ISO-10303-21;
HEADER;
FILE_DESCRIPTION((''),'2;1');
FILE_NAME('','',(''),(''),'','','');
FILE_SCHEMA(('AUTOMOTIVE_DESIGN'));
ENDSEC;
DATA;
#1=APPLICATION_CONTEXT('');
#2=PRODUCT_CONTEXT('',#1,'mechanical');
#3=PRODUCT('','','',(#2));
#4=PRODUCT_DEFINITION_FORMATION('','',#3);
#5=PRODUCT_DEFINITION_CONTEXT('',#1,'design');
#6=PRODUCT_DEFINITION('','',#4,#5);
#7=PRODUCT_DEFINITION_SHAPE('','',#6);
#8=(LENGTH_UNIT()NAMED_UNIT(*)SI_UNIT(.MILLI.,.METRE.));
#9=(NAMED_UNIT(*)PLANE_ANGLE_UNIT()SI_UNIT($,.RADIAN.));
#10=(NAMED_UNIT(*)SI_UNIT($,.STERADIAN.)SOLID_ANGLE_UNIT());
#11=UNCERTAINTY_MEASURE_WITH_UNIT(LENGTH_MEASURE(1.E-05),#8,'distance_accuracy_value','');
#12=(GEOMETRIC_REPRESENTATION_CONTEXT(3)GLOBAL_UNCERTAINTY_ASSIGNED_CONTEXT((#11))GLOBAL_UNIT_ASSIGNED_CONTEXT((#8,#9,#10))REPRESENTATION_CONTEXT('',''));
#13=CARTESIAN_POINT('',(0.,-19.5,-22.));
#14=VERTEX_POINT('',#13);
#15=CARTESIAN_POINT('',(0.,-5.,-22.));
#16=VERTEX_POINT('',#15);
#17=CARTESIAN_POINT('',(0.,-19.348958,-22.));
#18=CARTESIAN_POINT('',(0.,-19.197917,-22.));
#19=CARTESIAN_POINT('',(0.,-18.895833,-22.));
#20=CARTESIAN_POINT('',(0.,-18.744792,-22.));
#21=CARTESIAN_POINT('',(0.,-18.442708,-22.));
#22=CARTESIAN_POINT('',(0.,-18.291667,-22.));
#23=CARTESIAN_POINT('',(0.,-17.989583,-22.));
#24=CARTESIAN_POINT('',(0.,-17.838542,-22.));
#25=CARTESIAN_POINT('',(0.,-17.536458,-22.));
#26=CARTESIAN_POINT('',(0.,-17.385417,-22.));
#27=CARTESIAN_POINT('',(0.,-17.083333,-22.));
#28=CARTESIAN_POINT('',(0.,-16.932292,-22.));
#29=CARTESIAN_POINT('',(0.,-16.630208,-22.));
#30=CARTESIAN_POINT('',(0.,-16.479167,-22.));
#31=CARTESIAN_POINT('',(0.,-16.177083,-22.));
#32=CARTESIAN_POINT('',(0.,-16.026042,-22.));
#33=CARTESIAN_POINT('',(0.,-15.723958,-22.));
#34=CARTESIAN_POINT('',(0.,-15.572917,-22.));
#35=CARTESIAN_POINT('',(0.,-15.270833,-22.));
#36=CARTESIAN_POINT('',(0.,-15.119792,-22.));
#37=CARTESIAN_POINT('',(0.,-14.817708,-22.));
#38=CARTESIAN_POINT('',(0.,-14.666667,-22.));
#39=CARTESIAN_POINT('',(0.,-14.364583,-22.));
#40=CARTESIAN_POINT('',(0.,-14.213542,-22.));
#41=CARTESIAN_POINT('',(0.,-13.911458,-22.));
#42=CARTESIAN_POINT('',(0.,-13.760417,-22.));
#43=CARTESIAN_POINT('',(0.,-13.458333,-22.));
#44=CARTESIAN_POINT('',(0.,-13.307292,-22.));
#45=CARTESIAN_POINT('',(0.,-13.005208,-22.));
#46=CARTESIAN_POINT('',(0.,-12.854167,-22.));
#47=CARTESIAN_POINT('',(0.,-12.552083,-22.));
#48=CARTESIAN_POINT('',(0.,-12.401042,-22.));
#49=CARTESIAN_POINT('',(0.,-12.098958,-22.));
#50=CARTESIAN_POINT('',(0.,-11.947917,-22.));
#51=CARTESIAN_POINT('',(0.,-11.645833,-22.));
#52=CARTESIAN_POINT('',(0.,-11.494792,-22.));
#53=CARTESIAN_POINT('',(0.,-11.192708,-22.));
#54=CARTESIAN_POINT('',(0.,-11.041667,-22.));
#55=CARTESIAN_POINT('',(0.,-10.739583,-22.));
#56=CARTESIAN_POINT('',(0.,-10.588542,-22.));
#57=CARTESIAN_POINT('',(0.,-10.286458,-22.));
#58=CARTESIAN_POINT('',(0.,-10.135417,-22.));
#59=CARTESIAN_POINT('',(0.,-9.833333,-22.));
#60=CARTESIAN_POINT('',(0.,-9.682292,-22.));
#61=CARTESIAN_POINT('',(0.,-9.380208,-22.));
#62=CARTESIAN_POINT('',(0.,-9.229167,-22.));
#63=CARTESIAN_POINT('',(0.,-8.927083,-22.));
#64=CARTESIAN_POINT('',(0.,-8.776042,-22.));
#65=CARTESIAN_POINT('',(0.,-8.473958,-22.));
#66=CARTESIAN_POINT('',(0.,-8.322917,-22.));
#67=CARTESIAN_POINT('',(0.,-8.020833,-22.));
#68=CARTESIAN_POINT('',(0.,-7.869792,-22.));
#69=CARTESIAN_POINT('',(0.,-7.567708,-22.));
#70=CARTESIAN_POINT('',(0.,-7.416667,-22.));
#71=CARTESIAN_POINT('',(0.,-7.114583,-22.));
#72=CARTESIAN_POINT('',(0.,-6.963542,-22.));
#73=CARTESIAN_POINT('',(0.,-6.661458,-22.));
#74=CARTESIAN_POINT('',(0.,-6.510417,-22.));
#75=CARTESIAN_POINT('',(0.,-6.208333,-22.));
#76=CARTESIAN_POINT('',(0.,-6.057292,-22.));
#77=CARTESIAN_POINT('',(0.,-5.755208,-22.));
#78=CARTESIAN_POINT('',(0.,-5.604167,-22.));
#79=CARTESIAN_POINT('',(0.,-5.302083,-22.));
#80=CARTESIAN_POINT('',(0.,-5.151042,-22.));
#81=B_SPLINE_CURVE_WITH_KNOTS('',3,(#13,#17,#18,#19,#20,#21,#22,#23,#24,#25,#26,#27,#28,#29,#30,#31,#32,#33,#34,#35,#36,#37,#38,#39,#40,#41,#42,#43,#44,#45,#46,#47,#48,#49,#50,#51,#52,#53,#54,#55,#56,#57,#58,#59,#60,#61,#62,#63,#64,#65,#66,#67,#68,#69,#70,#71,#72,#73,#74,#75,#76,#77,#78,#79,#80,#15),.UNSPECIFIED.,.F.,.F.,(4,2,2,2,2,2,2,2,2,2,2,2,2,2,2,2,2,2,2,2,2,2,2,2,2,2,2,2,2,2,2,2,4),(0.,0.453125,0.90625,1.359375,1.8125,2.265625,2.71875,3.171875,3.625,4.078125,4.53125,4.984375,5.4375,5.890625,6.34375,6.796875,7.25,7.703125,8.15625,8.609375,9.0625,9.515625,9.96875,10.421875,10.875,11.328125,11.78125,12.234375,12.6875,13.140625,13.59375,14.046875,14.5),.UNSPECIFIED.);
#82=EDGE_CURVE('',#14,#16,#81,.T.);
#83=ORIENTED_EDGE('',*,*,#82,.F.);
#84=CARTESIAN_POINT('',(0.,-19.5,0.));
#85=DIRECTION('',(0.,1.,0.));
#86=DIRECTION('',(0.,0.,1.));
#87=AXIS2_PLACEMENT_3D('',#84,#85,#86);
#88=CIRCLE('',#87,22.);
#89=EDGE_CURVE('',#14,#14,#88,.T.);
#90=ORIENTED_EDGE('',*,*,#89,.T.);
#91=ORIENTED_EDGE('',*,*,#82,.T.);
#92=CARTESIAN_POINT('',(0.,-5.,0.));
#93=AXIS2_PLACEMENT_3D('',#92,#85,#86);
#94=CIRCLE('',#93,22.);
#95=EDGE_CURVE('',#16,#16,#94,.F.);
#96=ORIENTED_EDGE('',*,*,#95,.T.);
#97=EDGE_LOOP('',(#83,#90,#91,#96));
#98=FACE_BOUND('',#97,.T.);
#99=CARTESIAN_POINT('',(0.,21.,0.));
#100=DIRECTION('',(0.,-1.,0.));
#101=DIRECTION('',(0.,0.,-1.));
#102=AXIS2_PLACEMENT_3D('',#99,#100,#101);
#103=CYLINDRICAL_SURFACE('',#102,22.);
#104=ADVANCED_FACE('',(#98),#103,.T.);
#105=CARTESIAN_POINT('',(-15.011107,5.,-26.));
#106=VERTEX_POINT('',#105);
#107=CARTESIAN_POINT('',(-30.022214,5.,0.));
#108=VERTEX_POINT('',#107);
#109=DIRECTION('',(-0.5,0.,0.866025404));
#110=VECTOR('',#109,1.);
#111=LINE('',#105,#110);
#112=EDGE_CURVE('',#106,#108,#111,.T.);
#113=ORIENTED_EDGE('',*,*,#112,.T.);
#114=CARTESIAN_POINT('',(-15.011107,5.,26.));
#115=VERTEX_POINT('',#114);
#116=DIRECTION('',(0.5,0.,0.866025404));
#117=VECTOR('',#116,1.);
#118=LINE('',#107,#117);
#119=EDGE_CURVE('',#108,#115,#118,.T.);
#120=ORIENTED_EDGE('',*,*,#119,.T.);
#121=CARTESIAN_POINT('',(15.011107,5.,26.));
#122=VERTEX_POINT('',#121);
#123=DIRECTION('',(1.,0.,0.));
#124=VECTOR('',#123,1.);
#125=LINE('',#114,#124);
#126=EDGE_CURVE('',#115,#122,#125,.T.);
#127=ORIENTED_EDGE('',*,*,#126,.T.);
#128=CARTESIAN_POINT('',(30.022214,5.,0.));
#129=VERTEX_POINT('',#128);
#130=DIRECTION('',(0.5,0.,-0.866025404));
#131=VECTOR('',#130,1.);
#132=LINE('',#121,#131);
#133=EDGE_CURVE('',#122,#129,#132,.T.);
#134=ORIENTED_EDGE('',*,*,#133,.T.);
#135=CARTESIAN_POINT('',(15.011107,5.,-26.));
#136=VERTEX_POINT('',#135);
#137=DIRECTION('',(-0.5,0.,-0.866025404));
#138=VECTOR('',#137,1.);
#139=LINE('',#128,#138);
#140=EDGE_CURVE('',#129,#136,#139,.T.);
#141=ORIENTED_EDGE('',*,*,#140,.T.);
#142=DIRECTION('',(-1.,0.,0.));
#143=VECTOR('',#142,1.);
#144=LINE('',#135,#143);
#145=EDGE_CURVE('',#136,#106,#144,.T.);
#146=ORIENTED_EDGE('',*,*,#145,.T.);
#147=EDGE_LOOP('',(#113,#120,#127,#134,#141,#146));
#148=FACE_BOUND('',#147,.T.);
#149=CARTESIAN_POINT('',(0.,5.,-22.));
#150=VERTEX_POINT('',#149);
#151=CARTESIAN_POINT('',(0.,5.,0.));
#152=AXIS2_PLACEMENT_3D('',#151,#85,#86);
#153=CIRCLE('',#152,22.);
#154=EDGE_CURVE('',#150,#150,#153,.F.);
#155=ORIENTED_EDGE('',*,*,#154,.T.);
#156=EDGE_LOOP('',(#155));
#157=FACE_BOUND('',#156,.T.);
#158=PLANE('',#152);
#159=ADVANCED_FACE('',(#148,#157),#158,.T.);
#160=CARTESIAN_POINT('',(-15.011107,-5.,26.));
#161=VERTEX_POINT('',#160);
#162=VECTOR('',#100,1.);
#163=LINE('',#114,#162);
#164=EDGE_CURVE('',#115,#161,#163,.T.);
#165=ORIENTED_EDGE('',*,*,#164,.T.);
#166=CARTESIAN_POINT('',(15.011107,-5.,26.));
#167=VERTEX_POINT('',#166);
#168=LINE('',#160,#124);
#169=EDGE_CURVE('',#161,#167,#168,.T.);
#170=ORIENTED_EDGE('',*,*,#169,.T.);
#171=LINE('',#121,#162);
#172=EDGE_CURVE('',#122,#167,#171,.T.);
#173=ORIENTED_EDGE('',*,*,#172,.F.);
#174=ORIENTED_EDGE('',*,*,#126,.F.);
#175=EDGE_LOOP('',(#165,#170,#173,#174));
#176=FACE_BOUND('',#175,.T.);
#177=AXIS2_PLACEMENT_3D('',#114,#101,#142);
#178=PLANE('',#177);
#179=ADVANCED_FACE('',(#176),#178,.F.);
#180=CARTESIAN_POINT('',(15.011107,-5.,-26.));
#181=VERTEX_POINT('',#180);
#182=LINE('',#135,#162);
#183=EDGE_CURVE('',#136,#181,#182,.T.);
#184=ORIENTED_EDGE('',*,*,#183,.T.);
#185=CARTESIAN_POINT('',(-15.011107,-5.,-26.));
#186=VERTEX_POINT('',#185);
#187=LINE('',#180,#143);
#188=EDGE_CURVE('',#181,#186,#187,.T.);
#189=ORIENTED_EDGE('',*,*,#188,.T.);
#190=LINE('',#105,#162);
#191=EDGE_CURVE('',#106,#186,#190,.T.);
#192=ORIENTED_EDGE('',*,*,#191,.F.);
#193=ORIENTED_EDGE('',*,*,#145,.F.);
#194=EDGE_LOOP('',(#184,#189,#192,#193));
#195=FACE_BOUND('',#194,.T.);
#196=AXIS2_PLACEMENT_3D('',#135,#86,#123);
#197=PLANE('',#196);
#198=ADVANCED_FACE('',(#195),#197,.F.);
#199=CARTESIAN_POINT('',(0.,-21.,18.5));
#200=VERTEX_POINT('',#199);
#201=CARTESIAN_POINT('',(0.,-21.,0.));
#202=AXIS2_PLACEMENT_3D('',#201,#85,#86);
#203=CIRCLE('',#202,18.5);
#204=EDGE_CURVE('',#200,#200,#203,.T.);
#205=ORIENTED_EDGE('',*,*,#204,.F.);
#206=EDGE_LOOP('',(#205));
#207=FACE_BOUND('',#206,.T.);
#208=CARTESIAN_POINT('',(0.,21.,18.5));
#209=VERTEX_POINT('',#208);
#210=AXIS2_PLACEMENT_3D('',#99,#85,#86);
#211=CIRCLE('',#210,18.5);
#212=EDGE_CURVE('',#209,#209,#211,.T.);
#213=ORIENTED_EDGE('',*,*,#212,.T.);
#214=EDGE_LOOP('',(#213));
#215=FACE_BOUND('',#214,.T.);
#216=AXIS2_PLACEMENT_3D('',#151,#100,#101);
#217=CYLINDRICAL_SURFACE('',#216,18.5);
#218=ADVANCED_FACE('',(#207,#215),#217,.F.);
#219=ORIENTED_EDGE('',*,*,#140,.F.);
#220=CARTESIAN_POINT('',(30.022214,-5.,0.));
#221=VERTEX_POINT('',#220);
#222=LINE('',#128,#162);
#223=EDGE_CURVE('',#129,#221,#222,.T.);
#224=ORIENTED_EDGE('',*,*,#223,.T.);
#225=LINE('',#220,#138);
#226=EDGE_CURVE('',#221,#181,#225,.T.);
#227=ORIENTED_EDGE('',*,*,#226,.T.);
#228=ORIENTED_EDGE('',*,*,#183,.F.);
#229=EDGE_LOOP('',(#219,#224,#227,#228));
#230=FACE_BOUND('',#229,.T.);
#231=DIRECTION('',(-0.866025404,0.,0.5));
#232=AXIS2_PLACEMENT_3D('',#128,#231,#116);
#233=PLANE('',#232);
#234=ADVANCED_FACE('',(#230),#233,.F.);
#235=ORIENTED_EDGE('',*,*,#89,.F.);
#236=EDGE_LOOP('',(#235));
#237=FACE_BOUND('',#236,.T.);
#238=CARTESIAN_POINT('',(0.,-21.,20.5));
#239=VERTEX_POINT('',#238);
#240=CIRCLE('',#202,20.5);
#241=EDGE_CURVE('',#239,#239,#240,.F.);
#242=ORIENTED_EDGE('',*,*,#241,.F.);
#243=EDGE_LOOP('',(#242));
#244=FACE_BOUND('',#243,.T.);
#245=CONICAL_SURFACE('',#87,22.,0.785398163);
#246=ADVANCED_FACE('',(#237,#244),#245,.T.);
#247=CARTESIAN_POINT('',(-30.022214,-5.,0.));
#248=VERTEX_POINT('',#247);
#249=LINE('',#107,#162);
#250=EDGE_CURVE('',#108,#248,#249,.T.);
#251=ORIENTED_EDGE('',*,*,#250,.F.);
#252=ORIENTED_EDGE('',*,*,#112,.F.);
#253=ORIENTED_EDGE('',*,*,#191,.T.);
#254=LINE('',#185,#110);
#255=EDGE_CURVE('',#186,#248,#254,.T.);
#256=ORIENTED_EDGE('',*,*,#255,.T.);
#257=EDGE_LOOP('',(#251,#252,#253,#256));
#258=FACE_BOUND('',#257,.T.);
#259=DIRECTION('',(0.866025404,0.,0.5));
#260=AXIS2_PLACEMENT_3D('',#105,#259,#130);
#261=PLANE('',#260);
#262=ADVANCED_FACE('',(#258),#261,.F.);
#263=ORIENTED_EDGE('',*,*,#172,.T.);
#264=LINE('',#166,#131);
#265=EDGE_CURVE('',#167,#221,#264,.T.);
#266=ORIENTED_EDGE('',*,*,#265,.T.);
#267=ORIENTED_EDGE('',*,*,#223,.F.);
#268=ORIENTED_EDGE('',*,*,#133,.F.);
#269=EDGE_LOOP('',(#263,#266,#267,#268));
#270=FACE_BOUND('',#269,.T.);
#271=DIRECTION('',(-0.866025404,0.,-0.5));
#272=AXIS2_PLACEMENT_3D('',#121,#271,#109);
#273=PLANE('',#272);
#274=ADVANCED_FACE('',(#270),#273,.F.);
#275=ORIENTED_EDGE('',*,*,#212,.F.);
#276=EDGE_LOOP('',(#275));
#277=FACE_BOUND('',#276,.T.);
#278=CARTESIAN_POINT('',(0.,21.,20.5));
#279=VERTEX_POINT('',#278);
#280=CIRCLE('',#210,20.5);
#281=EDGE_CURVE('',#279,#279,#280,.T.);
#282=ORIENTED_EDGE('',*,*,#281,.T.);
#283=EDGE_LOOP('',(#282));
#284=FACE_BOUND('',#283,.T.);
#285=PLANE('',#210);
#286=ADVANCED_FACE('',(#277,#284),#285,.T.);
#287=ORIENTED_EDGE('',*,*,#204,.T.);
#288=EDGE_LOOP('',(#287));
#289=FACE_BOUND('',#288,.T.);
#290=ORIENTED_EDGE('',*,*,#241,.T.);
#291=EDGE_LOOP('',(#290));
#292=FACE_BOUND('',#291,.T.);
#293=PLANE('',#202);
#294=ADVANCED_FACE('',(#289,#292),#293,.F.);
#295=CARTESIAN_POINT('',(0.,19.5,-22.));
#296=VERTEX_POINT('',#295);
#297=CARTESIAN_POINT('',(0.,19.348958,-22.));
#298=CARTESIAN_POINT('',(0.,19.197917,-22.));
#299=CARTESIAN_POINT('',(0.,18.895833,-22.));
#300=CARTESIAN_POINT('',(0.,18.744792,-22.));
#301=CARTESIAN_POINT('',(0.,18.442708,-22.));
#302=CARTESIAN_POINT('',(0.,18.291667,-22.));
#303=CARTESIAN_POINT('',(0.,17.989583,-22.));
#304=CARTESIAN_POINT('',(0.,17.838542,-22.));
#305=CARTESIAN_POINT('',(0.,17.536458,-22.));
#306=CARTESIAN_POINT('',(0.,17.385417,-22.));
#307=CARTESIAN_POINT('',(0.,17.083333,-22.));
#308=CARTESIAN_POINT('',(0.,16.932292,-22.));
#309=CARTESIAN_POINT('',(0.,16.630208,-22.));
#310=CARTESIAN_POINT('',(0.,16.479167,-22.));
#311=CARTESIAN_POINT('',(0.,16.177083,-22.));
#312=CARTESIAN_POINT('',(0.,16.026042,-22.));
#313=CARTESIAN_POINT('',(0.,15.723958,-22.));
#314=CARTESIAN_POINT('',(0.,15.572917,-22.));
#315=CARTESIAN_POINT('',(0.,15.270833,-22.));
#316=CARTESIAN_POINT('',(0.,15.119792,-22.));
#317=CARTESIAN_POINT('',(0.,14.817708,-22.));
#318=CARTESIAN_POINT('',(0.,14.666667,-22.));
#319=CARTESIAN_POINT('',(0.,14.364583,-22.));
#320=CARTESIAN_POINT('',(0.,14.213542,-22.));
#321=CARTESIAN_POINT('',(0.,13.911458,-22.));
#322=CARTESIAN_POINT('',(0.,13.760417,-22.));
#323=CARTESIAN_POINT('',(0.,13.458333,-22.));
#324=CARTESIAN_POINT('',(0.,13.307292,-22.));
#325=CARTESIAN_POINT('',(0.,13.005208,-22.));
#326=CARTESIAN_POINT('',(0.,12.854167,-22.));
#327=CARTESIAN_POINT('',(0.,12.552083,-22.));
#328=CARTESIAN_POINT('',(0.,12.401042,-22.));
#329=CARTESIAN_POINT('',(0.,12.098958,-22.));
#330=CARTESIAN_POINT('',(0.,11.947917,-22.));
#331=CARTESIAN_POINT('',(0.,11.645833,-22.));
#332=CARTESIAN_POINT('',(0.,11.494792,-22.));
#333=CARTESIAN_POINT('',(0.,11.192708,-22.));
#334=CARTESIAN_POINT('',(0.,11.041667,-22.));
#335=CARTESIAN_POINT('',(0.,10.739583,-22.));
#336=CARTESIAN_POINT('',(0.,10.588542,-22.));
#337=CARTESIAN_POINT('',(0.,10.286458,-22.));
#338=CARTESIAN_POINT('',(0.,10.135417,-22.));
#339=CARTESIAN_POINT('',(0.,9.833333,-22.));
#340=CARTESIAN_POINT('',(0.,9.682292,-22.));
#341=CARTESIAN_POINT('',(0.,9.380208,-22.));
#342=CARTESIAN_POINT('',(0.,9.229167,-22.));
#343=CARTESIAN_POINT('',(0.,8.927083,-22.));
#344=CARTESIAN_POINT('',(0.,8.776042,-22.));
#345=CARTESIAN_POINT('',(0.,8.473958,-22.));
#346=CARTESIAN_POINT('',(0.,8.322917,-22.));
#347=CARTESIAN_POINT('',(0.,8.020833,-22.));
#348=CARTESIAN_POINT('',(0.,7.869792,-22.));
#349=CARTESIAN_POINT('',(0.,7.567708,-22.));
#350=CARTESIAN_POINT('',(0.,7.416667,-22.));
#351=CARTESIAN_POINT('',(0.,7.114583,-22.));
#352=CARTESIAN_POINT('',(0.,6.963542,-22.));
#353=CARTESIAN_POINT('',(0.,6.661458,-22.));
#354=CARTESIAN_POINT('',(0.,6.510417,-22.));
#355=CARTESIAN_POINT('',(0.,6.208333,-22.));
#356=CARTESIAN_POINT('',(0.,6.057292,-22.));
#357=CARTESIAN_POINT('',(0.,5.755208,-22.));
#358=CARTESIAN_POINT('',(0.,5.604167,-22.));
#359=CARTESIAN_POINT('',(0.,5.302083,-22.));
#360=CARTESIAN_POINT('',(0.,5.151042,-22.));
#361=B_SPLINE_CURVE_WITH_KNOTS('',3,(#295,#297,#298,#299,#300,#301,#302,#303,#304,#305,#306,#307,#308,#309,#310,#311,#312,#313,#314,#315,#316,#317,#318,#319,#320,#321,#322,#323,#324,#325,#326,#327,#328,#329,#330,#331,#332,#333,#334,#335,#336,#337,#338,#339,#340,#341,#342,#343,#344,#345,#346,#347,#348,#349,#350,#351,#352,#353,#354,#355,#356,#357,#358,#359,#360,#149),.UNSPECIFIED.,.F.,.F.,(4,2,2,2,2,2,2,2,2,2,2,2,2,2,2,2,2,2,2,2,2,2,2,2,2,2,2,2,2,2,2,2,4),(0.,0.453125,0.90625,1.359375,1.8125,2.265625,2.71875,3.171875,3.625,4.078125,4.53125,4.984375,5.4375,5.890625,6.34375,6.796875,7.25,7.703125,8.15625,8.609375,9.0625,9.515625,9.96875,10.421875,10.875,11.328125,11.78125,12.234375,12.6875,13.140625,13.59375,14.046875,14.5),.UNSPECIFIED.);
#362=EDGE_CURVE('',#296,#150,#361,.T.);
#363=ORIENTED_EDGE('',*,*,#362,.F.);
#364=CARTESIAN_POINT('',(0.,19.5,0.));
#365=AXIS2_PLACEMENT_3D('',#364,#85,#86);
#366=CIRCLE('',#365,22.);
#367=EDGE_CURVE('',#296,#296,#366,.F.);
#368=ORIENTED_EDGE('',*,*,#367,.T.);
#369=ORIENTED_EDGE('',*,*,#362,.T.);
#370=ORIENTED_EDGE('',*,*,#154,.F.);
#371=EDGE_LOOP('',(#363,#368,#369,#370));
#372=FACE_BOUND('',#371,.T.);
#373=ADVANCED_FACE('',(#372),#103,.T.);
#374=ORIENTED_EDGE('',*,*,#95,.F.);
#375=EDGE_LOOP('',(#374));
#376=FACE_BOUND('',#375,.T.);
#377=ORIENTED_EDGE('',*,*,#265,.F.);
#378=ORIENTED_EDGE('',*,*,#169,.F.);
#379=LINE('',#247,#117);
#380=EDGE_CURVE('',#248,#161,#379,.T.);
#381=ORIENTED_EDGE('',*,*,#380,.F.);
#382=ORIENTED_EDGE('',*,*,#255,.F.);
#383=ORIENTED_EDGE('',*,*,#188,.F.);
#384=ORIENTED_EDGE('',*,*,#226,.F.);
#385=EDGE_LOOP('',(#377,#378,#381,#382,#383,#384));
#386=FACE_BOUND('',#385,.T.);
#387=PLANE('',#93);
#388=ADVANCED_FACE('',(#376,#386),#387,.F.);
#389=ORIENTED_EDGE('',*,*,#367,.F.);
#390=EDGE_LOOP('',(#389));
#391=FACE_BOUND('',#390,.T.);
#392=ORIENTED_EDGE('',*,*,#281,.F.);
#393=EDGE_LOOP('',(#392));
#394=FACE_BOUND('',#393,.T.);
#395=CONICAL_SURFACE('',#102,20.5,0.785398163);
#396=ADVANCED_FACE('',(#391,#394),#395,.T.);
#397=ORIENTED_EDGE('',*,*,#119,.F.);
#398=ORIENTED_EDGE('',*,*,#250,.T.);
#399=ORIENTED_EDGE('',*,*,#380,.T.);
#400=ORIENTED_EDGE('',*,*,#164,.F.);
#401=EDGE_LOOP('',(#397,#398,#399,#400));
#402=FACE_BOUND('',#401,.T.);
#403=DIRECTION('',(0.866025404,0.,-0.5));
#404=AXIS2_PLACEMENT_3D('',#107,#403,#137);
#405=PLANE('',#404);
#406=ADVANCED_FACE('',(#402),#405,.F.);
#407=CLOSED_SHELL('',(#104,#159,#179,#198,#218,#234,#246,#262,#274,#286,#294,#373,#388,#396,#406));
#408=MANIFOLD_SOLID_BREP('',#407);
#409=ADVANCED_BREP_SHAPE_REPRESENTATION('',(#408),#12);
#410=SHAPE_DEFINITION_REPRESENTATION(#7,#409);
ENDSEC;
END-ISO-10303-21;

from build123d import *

# Parameters (mm, degrees)
SKETCH1_R           = 18.5
BOSS_EXTRUDE1_DEPTH = 5
SKETCH2_R           = 22
SKETCH2_R_2         = 18.5
BOSS_EXTRUDE2_DEPTH = 21
CHAMFER1_SIZE       = 1.5


with BuildPart() as part:
    # Sketch1 → Boss-Extrude1 (new, symmetric)
    with BuildSketch(Plane(origin=(0, 0, 0), x_dir=(1, 0, 0), z_dir=(0, 1, 0))):
        Polygon((15.011106999, -26), (30.022213998, 0), (15.011106999, 26), (-15.011106999, 26), (-30.022213998, 0), (-15.011106999, -26), align=None)
        with Locations(Location((0, 0, 0), (0, 0, 270))):
            Circle(SKETCH1_R, mode=Mode.SUBTRACT)
    extrude(amount=BOSS_EXTRUDE1_DEPTH, both=True)

    # Sketch2 → Boss-Extrude2 (add, symmetric)
    with BuildSketch(Plane(origin=(0, 0, 0), x_dir=(1, 0, 0), z_dir=(0, 1, 0))):
        with Locations(Location((0, 0, 0), (0, 0, 90))):
            Circle(SKETCH2_R)
        with Locations(Location((0, 0, 0), (0, 0, 270))):
            Circle(SKETCH2_R_2, mode=Mode.SUBTRACT)
    extrude(amount=BOSS_EXTRUDE2_DEPTH, both=True)

    # Chamfer1
    chamfer1_edges = [part.edges().sort_by_distance(p)[0] for p in [
        (0, -21, 22),
        (0, 21, 22),
    ]]
    chamfer(chamfer1_edges, length=CHAMFER1_SIZE)


solid = part.part
